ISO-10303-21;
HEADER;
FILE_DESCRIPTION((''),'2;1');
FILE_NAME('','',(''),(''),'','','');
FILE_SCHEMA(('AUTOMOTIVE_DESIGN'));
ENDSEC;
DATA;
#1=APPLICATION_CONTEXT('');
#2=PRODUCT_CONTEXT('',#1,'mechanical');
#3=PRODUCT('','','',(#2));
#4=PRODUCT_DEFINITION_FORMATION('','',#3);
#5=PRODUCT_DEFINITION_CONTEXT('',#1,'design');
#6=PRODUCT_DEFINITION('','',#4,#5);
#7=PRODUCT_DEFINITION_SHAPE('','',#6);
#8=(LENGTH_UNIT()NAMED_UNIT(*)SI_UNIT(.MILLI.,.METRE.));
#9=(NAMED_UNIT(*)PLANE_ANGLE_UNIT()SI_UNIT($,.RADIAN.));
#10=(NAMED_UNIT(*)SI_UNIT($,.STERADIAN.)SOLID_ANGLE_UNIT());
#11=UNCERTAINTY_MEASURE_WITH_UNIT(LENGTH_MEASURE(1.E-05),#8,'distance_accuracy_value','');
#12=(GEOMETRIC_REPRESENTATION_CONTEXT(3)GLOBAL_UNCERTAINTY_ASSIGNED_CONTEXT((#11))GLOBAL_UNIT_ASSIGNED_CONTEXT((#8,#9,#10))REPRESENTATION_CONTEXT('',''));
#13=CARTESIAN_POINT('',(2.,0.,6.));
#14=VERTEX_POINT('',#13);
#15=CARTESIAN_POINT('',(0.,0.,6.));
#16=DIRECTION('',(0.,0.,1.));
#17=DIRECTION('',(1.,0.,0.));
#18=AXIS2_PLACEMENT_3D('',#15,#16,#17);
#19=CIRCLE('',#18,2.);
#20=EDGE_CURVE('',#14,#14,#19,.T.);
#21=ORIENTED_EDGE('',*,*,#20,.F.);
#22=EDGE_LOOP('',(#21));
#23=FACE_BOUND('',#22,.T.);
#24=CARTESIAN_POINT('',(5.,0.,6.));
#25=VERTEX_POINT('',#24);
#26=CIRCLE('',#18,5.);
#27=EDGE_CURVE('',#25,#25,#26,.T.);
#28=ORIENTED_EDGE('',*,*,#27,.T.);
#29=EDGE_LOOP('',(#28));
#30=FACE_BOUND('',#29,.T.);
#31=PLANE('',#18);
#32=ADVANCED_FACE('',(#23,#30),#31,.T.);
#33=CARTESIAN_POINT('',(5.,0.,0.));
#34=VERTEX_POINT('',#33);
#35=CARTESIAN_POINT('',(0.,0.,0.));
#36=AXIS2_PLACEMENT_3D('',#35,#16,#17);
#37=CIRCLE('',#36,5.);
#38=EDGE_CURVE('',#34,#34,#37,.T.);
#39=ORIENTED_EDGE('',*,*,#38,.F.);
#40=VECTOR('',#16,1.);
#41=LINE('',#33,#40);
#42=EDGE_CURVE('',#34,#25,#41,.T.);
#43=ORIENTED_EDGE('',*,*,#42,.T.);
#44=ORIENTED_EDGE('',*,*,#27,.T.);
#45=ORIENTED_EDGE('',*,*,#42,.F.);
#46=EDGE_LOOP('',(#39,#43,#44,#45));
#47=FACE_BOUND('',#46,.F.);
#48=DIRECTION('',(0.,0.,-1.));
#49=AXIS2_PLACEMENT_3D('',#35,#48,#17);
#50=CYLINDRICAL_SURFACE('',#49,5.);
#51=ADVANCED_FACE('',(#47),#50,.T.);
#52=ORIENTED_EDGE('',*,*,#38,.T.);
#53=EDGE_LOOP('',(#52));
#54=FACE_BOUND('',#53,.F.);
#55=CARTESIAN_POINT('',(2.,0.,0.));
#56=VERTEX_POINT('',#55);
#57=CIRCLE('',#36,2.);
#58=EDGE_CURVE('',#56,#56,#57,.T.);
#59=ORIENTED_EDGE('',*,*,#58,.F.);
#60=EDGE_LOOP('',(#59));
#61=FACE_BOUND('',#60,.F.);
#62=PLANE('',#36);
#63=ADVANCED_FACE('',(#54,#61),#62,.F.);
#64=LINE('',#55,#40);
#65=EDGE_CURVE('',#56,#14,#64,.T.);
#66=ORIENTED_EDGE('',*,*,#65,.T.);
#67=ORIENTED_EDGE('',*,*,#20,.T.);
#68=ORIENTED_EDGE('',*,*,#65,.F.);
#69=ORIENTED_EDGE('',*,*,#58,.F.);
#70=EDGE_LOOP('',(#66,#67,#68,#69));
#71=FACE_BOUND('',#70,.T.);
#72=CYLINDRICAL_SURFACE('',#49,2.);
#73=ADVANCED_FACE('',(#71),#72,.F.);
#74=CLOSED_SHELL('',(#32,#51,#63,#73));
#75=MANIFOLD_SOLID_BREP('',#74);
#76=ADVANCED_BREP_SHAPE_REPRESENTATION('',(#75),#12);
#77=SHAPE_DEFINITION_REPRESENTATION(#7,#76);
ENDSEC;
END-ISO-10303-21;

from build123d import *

# Parameters (mm, degrees)
SKETCH_R   = 5
SKETCH_R_2 = 2
PAD_DEPTH  = 6


with BuildPart() as part:
    # Sketch → Pad (new body)
    with BuildSketch(Plane.XY):
        Circle(SKETCH_R)
        Circle(SKETCH_R_2, mode=Mode.SUBTRACT)
    extrude(amount=PAD_DEPTH)


solid = part.part
